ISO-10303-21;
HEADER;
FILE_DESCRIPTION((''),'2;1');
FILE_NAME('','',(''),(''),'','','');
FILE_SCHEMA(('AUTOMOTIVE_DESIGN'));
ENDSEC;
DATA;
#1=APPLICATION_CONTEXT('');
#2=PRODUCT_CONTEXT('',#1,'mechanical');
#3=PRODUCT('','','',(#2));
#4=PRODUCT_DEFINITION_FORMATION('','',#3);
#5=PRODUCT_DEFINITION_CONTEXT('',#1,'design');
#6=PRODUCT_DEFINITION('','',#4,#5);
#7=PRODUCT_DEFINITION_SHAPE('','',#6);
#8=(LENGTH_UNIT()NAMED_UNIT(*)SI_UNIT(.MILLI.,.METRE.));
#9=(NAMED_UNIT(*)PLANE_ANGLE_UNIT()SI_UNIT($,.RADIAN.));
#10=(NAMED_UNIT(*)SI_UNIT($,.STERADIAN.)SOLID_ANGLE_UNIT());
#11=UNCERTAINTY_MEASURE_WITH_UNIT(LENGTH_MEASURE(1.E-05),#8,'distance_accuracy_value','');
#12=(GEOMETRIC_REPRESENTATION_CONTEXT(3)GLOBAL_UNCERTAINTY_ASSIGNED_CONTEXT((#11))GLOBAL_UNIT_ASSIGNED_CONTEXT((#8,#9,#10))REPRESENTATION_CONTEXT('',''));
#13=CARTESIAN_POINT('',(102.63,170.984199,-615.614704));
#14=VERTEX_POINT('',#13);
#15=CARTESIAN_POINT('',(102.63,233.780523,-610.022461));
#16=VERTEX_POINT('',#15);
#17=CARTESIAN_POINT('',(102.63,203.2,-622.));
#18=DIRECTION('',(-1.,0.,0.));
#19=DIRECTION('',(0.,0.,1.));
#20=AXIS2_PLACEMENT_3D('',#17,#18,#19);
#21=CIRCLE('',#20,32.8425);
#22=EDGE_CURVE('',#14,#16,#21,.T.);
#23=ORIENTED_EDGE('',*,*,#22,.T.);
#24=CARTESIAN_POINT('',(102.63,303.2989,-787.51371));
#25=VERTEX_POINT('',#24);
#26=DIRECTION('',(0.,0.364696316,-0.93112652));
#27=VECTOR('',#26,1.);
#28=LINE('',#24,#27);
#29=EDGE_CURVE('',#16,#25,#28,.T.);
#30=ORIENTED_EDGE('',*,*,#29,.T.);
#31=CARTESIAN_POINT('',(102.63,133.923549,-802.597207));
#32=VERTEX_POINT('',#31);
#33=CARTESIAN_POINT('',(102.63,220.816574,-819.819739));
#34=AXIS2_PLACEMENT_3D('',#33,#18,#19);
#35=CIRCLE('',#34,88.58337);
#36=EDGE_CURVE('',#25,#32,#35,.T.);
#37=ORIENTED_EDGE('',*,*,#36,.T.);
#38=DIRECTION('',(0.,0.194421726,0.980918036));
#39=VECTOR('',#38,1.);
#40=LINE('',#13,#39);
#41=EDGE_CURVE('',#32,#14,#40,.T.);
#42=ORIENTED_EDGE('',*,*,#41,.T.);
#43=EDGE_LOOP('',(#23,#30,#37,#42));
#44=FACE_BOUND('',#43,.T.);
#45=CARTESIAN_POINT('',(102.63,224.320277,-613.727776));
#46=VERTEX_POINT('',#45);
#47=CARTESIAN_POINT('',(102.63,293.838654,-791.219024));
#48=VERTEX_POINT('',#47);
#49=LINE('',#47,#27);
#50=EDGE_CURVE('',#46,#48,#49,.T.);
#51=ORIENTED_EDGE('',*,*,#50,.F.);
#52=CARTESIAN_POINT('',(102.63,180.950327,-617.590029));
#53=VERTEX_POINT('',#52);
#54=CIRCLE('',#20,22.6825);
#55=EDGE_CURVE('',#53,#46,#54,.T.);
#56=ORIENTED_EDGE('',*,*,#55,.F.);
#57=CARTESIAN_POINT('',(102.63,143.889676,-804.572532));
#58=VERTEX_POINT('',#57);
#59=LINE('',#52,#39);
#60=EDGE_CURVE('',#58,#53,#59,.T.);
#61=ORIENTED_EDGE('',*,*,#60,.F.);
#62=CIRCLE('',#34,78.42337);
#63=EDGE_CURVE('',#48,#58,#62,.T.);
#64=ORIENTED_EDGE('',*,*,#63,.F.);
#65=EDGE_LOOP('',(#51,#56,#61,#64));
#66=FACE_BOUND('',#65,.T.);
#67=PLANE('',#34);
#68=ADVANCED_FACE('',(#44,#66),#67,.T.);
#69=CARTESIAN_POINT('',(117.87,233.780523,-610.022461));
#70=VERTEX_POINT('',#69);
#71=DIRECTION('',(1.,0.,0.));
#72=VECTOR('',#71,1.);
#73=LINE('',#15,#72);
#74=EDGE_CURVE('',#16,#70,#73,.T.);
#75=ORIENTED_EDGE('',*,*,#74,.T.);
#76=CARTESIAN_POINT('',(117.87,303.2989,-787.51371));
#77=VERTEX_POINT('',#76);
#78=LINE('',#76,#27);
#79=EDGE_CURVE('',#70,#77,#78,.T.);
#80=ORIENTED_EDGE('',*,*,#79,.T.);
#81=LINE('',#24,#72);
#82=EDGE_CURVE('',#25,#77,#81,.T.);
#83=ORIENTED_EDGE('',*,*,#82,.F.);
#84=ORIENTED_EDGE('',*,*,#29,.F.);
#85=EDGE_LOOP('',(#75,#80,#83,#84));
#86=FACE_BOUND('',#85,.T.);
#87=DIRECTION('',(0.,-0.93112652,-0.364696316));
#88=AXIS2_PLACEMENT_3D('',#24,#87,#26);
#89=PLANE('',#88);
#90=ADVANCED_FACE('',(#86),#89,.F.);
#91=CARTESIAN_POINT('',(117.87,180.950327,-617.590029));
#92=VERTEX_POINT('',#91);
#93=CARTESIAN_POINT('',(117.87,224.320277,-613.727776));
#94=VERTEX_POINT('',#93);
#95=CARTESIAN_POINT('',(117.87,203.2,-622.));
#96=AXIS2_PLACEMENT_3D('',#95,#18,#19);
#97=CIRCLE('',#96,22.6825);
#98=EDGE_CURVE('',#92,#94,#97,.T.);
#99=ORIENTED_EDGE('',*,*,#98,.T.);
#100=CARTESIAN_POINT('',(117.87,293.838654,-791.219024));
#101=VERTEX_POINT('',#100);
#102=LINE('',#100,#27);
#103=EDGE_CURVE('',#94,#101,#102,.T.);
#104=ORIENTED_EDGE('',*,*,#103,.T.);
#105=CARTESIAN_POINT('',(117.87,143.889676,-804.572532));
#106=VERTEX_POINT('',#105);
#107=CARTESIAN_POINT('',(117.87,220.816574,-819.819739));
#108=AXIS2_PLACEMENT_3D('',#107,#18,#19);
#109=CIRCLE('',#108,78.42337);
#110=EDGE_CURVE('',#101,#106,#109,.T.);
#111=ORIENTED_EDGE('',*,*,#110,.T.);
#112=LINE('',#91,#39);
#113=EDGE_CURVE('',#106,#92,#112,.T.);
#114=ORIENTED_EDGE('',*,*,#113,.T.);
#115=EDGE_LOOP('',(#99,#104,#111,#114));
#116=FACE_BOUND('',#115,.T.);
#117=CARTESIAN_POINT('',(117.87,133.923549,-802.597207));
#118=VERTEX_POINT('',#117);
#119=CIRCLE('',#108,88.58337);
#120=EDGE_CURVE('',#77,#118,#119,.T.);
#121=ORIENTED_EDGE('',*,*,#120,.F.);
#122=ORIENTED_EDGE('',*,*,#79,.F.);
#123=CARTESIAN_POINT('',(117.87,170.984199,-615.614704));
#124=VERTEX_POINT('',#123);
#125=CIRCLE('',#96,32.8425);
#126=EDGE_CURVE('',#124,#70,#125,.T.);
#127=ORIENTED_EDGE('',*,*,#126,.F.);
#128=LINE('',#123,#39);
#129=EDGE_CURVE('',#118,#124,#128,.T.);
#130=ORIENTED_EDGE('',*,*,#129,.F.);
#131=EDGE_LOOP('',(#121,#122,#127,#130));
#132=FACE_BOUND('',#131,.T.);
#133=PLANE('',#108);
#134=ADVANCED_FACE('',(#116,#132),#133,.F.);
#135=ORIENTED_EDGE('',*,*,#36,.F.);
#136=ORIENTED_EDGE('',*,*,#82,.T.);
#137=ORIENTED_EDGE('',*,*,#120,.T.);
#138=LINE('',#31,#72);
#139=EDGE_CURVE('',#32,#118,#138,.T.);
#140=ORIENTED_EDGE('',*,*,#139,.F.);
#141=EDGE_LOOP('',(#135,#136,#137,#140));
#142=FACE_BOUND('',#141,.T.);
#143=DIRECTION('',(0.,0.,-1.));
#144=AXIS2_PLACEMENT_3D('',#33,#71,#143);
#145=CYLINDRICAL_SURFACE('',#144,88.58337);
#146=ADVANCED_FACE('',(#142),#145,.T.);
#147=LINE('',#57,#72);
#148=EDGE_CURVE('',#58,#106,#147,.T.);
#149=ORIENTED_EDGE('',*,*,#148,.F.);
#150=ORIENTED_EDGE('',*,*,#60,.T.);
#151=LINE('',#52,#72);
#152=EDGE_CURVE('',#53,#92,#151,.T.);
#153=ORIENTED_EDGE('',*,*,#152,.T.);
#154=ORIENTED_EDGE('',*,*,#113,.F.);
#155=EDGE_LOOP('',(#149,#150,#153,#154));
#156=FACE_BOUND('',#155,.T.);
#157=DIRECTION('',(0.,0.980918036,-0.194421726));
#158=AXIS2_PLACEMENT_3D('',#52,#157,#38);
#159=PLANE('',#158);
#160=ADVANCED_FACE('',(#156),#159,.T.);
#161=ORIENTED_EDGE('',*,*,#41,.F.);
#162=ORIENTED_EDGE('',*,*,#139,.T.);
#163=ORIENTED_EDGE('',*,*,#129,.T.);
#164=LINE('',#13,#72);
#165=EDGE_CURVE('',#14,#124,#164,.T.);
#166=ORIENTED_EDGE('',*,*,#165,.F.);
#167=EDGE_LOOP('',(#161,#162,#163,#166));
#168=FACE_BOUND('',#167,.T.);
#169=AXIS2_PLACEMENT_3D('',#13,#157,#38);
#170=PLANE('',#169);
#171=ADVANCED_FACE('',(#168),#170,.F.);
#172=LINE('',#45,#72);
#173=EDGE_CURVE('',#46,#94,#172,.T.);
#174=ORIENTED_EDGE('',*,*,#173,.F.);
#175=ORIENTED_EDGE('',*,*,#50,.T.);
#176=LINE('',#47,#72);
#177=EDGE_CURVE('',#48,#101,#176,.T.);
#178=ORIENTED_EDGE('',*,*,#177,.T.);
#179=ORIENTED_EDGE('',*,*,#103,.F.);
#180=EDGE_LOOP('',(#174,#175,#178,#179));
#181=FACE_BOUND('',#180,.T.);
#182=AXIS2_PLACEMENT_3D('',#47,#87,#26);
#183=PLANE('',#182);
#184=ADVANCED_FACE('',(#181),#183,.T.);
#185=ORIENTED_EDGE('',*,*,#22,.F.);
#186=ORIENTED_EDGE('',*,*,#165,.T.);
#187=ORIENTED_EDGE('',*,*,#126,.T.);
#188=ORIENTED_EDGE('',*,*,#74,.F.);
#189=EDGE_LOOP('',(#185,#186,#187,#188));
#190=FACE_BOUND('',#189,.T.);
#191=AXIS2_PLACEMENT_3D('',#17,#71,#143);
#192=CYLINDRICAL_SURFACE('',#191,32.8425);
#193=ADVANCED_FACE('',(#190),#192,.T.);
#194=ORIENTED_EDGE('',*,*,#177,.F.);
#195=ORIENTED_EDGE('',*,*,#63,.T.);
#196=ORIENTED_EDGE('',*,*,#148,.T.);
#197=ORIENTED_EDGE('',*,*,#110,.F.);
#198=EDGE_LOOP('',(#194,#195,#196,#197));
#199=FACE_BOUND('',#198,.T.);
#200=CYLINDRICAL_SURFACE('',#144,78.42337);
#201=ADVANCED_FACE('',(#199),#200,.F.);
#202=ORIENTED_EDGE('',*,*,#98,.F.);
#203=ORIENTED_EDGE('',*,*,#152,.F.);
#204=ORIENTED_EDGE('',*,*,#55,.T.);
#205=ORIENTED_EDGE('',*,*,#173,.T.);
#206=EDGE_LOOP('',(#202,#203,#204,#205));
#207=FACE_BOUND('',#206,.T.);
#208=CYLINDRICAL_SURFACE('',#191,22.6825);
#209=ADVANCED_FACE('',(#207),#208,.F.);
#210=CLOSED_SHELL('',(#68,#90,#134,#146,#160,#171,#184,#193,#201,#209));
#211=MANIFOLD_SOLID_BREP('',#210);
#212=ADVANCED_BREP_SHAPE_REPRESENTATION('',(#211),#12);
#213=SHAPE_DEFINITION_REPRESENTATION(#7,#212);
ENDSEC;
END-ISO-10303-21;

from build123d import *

# Parameters (mm, degrees)
EXTRUDE_THIN1_DEPTH = 7.62


with BuildPart() as part:
    # Sketch1 → Extrude-Thin1 (new, symmetric)
    with BuildSketch(Plane.ZY.offset(-110.25)):
        with BuildLine():
            Line((-615.614704462, 170.984199418), (-802.597206958, 133.923548514))
            ThreePointArc((-802.597206958, 133.923548514), (-908.053927045, 228.674152785), (-787.513709868, 303.298899781))
            Line((-787.513709868, 303.298899781), (-610.022461239, 233.780522747))
            ThreePointArc((-610.022461239, 233.780522747), (-589.286960141, 200.286783656), (-615.614704462, 170.984199418))
        make_face()
        with BuildLine():
            Line((-617.590029198, 180.950326659), (-804.572531695, 143.889675755))
            ThreePointArc((-804.572531695, 143.889675755), (-897.933976221, 227.772933997), (-791.21902444, 293.838654333))
            Line((-791.21902444, 293.838654333), (-613.72777581, 224.320277299))
            ThreePointArc((-613.72777581, 224.320277299), (-599.406910966, 201.188002445), (-617.590029198, 180.950326659))
        make_face(mode=Mode.SUBTRACT)
    extrude(amount=EXTRUDE_THIN1_DEPTH, both=True)


solid = part.part
